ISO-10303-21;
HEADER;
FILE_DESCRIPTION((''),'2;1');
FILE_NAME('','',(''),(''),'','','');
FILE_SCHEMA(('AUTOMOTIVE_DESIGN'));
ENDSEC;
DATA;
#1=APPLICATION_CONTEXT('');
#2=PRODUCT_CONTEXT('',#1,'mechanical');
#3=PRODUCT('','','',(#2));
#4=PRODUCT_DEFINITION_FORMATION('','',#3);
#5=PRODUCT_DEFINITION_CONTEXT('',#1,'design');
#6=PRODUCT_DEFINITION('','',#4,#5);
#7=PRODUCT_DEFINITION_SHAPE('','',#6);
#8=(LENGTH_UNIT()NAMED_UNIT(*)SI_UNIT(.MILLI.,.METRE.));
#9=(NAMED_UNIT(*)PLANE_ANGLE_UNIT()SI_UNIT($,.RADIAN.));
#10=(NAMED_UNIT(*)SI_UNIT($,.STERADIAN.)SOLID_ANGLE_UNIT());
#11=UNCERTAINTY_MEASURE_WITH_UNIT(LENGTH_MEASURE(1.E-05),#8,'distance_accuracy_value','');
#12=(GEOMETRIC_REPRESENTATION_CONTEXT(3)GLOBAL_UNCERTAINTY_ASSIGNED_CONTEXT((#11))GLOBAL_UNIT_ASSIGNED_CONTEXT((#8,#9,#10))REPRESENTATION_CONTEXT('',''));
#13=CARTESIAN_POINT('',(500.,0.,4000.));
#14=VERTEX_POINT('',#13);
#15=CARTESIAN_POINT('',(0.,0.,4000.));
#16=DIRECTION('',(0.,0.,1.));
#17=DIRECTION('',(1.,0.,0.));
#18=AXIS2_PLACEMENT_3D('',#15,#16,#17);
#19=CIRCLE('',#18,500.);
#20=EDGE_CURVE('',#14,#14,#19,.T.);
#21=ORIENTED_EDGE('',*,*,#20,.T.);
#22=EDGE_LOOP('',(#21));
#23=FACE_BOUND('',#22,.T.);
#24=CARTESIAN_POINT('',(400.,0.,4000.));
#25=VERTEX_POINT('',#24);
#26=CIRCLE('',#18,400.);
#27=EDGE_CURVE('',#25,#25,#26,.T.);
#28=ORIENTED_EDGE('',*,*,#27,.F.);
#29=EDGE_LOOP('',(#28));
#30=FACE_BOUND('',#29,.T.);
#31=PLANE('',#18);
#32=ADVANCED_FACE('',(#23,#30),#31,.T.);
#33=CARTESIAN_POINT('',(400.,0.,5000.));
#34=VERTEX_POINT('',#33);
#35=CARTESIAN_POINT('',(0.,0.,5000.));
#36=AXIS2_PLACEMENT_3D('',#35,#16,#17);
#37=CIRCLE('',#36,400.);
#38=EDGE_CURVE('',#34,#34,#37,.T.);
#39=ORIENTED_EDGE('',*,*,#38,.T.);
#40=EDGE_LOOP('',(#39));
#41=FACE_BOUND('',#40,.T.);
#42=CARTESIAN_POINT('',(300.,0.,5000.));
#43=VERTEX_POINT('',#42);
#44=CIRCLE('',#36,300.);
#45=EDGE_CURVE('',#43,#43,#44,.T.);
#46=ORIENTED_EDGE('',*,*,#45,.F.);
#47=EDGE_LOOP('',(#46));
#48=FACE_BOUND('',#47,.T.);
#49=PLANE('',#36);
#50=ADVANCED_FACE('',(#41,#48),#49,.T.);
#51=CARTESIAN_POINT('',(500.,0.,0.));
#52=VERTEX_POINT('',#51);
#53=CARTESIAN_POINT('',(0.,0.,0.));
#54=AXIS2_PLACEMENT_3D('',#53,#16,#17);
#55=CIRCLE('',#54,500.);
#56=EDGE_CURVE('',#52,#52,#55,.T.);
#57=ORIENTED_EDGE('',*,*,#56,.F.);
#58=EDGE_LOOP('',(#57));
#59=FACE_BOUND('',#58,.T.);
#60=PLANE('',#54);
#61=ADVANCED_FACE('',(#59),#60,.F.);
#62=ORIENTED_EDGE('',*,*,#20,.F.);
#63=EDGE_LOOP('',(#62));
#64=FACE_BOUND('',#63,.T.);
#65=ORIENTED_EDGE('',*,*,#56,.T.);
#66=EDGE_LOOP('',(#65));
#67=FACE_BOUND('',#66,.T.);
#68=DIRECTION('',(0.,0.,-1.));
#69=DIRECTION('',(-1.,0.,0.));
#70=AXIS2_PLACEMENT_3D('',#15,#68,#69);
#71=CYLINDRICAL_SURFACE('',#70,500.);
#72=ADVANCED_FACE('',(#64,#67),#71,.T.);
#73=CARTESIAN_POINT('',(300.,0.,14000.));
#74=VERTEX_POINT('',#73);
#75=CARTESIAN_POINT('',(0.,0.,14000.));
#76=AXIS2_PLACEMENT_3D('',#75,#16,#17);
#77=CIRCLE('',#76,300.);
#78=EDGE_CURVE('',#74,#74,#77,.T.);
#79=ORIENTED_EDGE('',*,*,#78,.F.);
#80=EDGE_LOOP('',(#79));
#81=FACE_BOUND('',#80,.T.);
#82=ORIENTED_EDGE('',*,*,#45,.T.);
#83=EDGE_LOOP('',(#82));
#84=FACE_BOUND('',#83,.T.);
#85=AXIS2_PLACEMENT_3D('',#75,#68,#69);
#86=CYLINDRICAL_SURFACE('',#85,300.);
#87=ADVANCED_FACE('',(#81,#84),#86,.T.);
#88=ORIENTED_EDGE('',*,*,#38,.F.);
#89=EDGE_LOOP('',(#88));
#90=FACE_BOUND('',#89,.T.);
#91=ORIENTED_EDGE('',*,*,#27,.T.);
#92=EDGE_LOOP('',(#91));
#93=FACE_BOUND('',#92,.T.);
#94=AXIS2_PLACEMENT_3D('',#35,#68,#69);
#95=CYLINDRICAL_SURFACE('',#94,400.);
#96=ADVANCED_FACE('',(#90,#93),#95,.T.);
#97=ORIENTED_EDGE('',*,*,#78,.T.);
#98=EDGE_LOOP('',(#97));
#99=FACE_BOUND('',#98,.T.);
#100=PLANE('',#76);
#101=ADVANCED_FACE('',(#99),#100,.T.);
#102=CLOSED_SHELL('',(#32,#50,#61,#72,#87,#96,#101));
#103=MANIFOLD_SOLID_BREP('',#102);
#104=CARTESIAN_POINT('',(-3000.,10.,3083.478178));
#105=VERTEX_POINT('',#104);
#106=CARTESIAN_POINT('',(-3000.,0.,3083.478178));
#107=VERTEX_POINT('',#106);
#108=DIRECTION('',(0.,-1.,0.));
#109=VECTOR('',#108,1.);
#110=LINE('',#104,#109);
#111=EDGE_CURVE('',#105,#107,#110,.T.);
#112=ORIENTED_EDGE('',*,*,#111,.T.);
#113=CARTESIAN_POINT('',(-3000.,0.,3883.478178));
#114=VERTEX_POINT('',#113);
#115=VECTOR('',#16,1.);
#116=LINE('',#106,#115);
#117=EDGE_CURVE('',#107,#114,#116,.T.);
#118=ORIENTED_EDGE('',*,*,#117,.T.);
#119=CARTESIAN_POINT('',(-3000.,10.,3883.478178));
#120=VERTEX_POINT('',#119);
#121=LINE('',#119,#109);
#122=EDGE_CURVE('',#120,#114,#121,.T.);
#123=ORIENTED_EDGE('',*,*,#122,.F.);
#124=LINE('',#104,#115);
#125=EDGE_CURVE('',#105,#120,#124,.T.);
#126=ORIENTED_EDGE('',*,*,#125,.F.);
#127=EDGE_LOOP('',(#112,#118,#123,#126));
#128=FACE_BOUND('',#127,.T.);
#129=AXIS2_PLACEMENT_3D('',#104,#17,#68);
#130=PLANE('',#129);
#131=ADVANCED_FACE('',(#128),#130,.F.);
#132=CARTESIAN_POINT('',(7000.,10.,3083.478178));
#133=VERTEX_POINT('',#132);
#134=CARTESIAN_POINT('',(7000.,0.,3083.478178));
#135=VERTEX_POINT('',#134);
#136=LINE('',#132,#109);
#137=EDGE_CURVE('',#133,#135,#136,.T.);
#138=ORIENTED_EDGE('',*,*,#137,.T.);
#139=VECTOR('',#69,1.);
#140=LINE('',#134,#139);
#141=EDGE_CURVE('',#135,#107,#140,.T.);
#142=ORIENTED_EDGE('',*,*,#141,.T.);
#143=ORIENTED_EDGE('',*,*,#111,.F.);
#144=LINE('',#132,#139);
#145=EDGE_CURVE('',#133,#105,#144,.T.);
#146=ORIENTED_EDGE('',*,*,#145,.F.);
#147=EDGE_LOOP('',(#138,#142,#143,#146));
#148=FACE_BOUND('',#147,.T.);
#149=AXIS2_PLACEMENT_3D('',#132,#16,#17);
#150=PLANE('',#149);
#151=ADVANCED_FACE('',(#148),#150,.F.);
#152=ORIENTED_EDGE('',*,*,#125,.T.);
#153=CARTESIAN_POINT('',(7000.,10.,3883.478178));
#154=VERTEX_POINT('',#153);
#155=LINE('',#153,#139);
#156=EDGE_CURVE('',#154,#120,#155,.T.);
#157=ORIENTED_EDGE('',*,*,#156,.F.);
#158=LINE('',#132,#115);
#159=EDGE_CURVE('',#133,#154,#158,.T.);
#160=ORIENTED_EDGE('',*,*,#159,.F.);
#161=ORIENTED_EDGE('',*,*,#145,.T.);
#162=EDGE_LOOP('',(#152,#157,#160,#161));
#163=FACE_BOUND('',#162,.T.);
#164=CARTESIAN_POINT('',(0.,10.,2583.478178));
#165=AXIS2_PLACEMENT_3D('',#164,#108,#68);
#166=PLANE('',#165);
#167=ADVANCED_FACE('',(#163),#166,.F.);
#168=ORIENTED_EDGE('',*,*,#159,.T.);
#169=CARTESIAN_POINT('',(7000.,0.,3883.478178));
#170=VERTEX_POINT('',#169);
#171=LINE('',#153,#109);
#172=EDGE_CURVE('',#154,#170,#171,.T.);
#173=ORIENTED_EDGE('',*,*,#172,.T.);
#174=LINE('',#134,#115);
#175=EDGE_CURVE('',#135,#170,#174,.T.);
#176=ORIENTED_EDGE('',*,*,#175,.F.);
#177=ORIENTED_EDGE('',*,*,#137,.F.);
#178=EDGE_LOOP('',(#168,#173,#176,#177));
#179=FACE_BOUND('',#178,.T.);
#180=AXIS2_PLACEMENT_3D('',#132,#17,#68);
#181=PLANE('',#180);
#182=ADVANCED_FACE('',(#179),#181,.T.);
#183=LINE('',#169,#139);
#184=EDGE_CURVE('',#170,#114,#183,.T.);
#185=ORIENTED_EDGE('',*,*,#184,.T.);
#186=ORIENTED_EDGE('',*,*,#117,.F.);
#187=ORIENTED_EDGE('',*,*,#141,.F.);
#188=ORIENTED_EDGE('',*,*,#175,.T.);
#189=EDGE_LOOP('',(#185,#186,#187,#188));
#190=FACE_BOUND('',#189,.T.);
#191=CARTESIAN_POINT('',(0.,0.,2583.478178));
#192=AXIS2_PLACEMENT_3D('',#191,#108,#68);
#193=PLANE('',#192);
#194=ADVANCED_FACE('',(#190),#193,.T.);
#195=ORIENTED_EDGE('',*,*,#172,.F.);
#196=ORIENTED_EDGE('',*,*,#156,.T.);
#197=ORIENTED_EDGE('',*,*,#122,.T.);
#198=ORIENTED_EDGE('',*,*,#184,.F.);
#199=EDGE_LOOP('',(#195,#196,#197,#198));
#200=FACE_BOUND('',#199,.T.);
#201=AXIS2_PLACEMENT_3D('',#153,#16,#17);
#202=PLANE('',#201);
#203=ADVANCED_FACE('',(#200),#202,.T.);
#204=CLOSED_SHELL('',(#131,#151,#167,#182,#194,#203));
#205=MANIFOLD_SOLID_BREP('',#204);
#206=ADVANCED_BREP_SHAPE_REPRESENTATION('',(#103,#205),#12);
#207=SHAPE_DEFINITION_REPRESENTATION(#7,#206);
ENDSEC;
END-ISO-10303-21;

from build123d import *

# Parameters (mm, degrees)
SKETCH_1_R      = 500
EXTRUDE_1_DEPTH = 4000
SKETCH_2_R      = 300
EXTRUDE_2_DEPTH = 10000
SKETCH_6_W      = 10000
SKETCH_6_H      = 800
EXTRUDE_6_DEPTH = 10
SKETCH_7_R      = 400
EXTRUDE_7_DEPTH = 1000


with BuildPart() as part:
    # 草图1 → 凸台-拉伸1 (new body)
    with BuildSketch(Plane.XY):
        Circle(SKETCH_1_R)
    extrude(amount=EXTRUDE_1_DEPTH)

    # 草图2 → 凸台-拉伸2 (add)
    with BuildSketch(Plane.XY.offset(4000)):
        Circle(SKETCH_2_R)
    extrude(amount=EXTRUDE_2_DEPTH)

    # 草图7 → 凸台-拉伸7 (add)
    with BuildSketch(Plane.XY.offset(4000)):
        Circle(SKETCH_7_R)
    extrude(amount=EXTRUDE_7_DEPTH)


with BuildPart() as body_2:
    # 草图6 → 凸台-拉伸6 (new body)
    with BuildSketch(Plane(origin=(0, 0, 0), x_dir=(1, 0, 0), z_dir=(0, 1, 0))):
        with Locations((2000, -900)):
            Rectangle(SKETCH_6_W, SKETCH_6_H)
    extrude(amount=EXTRUDE_6_DEPTH)


with BuildPart() as body_2_1:
    # Move Body 1: moved
    add(body_2.part.moved(Location((0, 0, 1049.359545166))))


with BuildPart() as body_2_2:
    # Move Body 2: moved
    add(body_2_1.part.moved(Location((0, 0, 2037.417385346))))


with BuildPart() as body_2_3:
    # Move Body 3: moved
    add(body_2_2.part.moved(Location((0, 0, -503.298752827))))


solid = Compound([part.part, body_2_3.part])
